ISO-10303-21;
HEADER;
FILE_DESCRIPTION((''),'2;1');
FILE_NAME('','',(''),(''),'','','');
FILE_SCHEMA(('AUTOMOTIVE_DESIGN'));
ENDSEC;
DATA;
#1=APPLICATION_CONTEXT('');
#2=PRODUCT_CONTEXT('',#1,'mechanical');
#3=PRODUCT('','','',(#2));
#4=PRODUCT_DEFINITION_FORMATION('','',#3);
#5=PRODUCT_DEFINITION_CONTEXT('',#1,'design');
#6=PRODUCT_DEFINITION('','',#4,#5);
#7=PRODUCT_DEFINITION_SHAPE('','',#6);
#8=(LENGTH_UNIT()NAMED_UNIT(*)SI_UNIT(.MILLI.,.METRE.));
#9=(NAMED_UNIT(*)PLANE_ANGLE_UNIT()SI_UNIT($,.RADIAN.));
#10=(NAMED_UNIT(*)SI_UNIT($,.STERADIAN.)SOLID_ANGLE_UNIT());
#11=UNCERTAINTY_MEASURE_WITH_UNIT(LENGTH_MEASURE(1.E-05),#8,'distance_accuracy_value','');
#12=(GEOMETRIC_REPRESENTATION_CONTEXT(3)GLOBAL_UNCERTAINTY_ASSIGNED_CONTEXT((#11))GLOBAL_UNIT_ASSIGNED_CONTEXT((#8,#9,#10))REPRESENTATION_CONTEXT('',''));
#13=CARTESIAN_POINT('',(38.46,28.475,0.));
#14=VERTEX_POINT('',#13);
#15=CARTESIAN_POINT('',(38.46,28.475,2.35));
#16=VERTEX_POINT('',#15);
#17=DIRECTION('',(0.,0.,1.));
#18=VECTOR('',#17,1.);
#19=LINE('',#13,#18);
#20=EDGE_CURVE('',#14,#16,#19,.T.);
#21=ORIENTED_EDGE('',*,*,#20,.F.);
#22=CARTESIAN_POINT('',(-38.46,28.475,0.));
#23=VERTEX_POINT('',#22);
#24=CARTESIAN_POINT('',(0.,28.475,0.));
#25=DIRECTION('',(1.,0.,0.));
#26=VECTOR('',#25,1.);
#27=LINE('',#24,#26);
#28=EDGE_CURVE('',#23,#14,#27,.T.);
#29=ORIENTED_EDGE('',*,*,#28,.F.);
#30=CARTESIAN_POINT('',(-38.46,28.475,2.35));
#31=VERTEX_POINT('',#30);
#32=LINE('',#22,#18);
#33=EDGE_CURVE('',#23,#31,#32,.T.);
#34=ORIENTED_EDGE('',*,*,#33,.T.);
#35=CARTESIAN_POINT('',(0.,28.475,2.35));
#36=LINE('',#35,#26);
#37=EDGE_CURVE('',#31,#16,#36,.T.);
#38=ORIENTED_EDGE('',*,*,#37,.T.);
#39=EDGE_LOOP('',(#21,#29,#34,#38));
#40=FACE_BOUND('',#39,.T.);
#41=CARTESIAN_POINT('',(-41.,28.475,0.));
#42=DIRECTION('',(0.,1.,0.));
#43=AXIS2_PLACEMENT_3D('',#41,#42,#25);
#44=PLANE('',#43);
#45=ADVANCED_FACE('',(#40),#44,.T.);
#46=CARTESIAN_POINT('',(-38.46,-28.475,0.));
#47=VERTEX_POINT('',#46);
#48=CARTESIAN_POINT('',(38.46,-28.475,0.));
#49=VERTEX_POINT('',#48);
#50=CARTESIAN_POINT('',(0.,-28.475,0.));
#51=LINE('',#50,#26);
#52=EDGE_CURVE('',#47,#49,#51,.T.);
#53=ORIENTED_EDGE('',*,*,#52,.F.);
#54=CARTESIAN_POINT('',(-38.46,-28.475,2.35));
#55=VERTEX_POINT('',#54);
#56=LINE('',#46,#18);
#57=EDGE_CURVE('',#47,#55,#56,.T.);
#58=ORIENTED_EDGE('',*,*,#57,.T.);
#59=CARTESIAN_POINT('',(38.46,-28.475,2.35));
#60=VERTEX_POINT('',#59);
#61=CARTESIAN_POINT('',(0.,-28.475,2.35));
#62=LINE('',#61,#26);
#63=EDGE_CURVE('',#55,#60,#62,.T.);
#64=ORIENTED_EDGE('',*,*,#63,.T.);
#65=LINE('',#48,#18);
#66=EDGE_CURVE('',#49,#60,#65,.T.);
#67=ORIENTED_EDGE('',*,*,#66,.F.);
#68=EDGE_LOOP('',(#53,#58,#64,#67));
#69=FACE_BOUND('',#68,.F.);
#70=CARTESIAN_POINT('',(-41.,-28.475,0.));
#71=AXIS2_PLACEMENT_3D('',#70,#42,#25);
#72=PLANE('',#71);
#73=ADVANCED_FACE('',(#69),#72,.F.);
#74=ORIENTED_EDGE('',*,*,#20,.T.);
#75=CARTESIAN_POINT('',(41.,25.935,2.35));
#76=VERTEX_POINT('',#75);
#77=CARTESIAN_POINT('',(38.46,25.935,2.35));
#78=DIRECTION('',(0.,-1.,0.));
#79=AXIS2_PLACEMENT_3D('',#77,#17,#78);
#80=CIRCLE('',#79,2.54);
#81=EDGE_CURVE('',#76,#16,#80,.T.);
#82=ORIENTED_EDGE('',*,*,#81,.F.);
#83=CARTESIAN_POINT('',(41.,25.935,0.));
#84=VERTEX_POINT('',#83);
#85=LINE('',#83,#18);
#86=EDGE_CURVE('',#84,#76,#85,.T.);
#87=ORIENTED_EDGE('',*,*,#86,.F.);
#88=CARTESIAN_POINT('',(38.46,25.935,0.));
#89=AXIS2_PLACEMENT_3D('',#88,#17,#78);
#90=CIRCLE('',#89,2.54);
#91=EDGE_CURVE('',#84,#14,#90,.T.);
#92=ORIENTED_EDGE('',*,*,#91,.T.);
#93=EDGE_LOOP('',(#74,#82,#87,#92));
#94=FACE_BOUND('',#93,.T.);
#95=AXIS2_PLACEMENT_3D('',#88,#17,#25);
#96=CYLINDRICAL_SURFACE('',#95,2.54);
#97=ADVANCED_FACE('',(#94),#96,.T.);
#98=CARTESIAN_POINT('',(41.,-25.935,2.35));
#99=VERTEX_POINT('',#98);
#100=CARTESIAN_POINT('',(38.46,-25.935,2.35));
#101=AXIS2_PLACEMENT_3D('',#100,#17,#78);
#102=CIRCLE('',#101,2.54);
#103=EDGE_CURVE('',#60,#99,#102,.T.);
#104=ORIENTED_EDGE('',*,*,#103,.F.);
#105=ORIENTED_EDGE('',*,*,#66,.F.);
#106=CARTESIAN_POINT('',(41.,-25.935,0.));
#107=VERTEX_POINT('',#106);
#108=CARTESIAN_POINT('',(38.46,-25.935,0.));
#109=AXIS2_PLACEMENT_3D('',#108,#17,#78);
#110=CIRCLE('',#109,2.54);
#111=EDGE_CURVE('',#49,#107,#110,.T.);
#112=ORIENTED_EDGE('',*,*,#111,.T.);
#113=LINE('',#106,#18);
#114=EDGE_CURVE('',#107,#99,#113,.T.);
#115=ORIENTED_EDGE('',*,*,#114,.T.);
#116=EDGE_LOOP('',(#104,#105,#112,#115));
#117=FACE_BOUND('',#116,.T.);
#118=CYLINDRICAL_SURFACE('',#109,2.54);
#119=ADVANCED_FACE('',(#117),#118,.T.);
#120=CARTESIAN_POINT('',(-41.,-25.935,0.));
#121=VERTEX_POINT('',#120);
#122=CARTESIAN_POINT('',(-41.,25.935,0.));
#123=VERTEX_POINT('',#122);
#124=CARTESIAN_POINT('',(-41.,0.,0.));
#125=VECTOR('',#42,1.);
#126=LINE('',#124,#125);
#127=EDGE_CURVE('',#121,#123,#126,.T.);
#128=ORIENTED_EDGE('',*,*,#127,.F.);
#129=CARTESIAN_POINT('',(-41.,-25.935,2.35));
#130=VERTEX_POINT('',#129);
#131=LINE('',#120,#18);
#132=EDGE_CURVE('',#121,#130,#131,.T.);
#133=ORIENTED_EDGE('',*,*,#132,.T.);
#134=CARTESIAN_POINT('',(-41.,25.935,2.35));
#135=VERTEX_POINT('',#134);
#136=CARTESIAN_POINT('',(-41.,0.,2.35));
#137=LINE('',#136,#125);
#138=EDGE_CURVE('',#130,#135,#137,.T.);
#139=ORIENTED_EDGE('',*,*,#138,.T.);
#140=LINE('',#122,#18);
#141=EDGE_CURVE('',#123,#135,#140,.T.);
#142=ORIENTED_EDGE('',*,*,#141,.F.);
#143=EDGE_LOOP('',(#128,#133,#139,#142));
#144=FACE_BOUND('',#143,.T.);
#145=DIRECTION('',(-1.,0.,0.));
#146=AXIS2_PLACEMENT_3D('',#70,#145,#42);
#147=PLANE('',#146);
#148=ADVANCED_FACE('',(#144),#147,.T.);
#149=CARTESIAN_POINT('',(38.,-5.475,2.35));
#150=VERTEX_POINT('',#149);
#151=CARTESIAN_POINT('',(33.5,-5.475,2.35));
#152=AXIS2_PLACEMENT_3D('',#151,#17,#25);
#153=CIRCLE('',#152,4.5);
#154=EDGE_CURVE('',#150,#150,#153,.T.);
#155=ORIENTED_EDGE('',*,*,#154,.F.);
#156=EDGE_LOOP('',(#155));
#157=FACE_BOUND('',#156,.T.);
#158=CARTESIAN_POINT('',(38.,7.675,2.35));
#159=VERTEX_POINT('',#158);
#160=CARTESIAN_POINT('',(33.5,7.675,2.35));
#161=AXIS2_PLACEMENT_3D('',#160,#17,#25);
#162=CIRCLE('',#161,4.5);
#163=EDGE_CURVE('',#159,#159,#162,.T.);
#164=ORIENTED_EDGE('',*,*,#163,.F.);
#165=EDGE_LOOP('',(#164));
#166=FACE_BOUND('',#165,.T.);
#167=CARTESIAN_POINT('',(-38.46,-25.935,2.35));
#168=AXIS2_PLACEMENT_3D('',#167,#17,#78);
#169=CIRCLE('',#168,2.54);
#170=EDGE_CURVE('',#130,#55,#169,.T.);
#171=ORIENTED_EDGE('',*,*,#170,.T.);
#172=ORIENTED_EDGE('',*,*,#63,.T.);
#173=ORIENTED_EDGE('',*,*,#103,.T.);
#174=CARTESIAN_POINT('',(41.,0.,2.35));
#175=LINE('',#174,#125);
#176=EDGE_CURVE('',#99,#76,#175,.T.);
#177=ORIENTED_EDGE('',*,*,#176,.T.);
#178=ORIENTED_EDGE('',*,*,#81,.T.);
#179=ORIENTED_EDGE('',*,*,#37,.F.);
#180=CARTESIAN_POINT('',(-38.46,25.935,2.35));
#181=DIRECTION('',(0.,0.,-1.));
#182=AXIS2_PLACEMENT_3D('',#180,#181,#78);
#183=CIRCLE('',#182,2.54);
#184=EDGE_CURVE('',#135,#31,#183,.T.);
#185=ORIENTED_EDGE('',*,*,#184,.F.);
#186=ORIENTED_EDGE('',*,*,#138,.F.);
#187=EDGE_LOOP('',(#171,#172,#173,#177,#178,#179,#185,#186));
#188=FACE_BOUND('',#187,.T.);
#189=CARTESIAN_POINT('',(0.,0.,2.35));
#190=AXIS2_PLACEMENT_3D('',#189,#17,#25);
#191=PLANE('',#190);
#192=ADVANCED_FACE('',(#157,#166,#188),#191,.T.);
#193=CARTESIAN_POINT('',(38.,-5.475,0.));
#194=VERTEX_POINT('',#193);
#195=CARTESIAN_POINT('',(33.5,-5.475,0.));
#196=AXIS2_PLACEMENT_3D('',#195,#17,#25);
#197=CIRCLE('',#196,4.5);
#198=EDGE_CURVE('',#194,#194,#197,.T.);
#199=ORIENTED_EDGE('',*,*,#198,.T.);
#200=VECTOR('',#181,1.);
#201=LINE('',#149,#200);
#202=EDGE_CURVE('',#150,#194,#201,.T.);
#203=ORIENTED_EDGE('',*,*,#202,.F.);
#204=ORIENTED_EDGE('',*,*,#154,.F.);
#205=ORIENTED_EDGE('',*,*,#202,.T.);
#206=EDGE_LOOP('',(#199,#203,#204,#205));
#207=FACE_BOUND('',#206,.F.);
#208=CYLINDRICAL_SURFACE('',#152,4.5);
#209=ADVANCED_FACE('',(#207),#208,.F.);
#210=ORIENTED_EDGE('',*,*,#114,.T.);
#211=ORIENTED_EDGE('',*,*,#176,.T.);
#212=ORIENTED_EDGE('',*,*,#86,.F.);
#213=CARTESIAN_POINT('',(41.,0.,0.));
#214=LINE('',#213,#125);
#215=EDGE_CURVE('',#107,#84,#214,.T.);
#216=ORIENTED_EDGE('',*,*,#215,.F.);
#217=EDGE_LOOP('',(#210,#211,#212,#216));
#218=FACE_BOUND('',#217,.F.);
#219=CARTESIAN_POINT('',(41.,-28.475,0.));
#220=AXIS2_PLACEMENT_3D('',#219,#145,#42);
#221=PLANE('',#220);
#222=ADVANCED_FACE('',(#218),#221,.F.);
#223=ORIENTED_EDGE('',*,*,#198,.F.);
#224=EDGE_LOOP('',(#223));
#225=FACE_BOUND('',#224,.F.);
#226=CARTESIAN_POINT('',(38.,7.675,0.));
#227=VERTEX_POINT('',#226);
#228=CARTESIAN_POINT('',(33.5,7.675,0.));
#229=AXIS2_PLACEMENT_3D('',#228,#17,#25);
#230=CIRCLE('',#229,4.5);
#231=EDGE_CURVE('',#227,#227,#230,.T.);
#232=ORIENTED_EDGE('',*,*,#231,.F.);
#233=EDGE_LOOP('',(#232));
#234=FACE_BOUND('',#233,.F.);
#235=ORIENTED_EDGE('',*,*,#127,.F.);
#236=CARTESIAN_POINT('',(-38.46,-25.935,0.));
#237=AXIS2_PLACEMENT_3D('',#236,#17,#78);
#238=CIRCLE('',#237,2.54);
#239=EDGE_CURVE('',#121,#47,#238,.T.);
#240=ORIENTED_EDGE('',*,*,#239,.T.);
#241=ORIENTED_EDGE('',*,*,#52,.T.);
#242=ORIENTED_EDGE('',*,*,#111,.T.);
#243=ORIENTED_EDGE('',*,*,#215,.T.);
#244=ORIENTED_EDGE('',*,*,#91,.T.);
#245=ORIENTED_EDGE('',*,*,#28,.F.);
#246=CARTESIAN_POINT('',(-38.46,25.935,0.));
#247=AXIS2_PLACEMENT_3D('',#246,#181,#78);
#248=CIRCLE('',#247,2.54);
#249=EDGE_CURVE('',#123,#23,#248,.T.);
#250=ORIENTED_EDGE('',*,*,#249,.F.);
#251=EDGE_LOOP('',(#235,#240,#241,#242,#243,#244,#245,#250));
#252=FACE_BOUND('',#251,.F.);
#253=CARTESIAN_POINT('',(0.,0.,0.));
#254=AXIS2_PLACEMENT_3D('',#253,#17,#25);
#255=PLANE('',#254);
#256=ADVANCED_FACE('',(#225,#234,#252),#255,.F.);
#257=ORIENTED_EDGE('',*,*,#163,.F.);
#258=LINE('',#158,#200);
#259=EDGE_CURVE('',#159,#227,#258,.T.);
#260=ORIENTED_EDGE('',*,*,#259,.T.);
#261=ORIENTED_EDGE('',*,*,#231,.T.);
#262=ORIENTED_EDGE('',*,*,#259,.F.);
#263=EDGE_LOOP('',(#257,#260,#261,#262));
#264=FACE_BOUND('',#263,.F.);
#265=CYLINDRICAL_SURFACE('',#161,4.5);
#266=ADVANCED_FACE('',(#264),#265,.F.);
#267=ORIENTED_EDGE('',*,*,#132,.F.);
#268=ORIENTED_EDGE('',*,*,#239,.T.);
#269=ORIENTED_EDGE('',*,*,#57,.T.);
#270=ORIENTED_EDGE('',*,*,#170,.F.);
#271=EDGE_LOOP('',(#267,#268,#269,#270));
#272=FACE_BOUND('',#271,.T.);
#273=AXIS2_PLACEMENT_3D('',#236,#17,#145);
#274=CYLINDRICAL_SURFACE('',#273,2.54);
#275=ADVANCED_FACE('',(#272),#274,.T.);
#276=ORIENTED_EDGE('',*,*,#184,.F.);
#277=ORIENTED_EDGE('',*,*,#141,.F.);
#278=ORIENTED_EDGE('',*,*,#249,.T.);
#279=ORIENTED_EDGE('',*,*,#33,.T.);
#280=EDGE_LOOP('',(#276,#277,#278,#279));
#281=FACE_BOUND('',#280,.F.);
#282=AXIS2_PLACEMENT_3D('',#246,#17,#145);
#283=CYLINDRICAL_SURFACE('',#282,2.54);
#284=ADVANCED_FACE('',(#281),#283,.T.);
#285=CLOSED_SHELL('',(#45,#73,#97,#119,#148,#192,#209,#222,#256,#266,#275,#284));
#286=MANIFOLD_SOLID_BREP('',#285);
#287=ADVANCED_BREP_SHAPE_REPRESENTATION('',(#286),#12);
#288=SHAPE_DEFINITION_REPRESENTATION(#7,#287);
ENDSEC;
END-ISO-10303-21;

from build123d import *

# Parameters (mm, degrees)
F0_W     = 82
F0_H     = 56.95
F1_DEPTH = 2.35
F2_R     = 2.54
F3_R     = 4.5
F4_DEPTH = 2.35


with BuildPart() as f1:
    # F0 (on Top) → F1 (new body)
    with BuildSketch(Plane.XY):
        Rectangle(F0_W, F0_H)
    extrude(amount=F1_DEPTH)

    # F2
    f2_edges = [f1.edges().sort_by_distance(p)[0] for p in [
        (-41, 28.475, 1.175),
        (-41, -28.475, 1.175),
        (41, 28.475, 1.175),
        (41, -28.475, 1.175),
    ]]
    fillet(f2_edges, radius=F2_R)

    # F3 (on face) → F4 (cut, through all)
    with BuildSketch(Plane.XY.offset(2.35)):
        with Locations((33.5, 7.675)):
            Circle(F3_R)
        with Locations((33.5, -5.475)):
            Circle(F3_R)
    extrude(amount=-F4_DEPTH, mode=Mode.SUBTRACT)


solid = f1.part
